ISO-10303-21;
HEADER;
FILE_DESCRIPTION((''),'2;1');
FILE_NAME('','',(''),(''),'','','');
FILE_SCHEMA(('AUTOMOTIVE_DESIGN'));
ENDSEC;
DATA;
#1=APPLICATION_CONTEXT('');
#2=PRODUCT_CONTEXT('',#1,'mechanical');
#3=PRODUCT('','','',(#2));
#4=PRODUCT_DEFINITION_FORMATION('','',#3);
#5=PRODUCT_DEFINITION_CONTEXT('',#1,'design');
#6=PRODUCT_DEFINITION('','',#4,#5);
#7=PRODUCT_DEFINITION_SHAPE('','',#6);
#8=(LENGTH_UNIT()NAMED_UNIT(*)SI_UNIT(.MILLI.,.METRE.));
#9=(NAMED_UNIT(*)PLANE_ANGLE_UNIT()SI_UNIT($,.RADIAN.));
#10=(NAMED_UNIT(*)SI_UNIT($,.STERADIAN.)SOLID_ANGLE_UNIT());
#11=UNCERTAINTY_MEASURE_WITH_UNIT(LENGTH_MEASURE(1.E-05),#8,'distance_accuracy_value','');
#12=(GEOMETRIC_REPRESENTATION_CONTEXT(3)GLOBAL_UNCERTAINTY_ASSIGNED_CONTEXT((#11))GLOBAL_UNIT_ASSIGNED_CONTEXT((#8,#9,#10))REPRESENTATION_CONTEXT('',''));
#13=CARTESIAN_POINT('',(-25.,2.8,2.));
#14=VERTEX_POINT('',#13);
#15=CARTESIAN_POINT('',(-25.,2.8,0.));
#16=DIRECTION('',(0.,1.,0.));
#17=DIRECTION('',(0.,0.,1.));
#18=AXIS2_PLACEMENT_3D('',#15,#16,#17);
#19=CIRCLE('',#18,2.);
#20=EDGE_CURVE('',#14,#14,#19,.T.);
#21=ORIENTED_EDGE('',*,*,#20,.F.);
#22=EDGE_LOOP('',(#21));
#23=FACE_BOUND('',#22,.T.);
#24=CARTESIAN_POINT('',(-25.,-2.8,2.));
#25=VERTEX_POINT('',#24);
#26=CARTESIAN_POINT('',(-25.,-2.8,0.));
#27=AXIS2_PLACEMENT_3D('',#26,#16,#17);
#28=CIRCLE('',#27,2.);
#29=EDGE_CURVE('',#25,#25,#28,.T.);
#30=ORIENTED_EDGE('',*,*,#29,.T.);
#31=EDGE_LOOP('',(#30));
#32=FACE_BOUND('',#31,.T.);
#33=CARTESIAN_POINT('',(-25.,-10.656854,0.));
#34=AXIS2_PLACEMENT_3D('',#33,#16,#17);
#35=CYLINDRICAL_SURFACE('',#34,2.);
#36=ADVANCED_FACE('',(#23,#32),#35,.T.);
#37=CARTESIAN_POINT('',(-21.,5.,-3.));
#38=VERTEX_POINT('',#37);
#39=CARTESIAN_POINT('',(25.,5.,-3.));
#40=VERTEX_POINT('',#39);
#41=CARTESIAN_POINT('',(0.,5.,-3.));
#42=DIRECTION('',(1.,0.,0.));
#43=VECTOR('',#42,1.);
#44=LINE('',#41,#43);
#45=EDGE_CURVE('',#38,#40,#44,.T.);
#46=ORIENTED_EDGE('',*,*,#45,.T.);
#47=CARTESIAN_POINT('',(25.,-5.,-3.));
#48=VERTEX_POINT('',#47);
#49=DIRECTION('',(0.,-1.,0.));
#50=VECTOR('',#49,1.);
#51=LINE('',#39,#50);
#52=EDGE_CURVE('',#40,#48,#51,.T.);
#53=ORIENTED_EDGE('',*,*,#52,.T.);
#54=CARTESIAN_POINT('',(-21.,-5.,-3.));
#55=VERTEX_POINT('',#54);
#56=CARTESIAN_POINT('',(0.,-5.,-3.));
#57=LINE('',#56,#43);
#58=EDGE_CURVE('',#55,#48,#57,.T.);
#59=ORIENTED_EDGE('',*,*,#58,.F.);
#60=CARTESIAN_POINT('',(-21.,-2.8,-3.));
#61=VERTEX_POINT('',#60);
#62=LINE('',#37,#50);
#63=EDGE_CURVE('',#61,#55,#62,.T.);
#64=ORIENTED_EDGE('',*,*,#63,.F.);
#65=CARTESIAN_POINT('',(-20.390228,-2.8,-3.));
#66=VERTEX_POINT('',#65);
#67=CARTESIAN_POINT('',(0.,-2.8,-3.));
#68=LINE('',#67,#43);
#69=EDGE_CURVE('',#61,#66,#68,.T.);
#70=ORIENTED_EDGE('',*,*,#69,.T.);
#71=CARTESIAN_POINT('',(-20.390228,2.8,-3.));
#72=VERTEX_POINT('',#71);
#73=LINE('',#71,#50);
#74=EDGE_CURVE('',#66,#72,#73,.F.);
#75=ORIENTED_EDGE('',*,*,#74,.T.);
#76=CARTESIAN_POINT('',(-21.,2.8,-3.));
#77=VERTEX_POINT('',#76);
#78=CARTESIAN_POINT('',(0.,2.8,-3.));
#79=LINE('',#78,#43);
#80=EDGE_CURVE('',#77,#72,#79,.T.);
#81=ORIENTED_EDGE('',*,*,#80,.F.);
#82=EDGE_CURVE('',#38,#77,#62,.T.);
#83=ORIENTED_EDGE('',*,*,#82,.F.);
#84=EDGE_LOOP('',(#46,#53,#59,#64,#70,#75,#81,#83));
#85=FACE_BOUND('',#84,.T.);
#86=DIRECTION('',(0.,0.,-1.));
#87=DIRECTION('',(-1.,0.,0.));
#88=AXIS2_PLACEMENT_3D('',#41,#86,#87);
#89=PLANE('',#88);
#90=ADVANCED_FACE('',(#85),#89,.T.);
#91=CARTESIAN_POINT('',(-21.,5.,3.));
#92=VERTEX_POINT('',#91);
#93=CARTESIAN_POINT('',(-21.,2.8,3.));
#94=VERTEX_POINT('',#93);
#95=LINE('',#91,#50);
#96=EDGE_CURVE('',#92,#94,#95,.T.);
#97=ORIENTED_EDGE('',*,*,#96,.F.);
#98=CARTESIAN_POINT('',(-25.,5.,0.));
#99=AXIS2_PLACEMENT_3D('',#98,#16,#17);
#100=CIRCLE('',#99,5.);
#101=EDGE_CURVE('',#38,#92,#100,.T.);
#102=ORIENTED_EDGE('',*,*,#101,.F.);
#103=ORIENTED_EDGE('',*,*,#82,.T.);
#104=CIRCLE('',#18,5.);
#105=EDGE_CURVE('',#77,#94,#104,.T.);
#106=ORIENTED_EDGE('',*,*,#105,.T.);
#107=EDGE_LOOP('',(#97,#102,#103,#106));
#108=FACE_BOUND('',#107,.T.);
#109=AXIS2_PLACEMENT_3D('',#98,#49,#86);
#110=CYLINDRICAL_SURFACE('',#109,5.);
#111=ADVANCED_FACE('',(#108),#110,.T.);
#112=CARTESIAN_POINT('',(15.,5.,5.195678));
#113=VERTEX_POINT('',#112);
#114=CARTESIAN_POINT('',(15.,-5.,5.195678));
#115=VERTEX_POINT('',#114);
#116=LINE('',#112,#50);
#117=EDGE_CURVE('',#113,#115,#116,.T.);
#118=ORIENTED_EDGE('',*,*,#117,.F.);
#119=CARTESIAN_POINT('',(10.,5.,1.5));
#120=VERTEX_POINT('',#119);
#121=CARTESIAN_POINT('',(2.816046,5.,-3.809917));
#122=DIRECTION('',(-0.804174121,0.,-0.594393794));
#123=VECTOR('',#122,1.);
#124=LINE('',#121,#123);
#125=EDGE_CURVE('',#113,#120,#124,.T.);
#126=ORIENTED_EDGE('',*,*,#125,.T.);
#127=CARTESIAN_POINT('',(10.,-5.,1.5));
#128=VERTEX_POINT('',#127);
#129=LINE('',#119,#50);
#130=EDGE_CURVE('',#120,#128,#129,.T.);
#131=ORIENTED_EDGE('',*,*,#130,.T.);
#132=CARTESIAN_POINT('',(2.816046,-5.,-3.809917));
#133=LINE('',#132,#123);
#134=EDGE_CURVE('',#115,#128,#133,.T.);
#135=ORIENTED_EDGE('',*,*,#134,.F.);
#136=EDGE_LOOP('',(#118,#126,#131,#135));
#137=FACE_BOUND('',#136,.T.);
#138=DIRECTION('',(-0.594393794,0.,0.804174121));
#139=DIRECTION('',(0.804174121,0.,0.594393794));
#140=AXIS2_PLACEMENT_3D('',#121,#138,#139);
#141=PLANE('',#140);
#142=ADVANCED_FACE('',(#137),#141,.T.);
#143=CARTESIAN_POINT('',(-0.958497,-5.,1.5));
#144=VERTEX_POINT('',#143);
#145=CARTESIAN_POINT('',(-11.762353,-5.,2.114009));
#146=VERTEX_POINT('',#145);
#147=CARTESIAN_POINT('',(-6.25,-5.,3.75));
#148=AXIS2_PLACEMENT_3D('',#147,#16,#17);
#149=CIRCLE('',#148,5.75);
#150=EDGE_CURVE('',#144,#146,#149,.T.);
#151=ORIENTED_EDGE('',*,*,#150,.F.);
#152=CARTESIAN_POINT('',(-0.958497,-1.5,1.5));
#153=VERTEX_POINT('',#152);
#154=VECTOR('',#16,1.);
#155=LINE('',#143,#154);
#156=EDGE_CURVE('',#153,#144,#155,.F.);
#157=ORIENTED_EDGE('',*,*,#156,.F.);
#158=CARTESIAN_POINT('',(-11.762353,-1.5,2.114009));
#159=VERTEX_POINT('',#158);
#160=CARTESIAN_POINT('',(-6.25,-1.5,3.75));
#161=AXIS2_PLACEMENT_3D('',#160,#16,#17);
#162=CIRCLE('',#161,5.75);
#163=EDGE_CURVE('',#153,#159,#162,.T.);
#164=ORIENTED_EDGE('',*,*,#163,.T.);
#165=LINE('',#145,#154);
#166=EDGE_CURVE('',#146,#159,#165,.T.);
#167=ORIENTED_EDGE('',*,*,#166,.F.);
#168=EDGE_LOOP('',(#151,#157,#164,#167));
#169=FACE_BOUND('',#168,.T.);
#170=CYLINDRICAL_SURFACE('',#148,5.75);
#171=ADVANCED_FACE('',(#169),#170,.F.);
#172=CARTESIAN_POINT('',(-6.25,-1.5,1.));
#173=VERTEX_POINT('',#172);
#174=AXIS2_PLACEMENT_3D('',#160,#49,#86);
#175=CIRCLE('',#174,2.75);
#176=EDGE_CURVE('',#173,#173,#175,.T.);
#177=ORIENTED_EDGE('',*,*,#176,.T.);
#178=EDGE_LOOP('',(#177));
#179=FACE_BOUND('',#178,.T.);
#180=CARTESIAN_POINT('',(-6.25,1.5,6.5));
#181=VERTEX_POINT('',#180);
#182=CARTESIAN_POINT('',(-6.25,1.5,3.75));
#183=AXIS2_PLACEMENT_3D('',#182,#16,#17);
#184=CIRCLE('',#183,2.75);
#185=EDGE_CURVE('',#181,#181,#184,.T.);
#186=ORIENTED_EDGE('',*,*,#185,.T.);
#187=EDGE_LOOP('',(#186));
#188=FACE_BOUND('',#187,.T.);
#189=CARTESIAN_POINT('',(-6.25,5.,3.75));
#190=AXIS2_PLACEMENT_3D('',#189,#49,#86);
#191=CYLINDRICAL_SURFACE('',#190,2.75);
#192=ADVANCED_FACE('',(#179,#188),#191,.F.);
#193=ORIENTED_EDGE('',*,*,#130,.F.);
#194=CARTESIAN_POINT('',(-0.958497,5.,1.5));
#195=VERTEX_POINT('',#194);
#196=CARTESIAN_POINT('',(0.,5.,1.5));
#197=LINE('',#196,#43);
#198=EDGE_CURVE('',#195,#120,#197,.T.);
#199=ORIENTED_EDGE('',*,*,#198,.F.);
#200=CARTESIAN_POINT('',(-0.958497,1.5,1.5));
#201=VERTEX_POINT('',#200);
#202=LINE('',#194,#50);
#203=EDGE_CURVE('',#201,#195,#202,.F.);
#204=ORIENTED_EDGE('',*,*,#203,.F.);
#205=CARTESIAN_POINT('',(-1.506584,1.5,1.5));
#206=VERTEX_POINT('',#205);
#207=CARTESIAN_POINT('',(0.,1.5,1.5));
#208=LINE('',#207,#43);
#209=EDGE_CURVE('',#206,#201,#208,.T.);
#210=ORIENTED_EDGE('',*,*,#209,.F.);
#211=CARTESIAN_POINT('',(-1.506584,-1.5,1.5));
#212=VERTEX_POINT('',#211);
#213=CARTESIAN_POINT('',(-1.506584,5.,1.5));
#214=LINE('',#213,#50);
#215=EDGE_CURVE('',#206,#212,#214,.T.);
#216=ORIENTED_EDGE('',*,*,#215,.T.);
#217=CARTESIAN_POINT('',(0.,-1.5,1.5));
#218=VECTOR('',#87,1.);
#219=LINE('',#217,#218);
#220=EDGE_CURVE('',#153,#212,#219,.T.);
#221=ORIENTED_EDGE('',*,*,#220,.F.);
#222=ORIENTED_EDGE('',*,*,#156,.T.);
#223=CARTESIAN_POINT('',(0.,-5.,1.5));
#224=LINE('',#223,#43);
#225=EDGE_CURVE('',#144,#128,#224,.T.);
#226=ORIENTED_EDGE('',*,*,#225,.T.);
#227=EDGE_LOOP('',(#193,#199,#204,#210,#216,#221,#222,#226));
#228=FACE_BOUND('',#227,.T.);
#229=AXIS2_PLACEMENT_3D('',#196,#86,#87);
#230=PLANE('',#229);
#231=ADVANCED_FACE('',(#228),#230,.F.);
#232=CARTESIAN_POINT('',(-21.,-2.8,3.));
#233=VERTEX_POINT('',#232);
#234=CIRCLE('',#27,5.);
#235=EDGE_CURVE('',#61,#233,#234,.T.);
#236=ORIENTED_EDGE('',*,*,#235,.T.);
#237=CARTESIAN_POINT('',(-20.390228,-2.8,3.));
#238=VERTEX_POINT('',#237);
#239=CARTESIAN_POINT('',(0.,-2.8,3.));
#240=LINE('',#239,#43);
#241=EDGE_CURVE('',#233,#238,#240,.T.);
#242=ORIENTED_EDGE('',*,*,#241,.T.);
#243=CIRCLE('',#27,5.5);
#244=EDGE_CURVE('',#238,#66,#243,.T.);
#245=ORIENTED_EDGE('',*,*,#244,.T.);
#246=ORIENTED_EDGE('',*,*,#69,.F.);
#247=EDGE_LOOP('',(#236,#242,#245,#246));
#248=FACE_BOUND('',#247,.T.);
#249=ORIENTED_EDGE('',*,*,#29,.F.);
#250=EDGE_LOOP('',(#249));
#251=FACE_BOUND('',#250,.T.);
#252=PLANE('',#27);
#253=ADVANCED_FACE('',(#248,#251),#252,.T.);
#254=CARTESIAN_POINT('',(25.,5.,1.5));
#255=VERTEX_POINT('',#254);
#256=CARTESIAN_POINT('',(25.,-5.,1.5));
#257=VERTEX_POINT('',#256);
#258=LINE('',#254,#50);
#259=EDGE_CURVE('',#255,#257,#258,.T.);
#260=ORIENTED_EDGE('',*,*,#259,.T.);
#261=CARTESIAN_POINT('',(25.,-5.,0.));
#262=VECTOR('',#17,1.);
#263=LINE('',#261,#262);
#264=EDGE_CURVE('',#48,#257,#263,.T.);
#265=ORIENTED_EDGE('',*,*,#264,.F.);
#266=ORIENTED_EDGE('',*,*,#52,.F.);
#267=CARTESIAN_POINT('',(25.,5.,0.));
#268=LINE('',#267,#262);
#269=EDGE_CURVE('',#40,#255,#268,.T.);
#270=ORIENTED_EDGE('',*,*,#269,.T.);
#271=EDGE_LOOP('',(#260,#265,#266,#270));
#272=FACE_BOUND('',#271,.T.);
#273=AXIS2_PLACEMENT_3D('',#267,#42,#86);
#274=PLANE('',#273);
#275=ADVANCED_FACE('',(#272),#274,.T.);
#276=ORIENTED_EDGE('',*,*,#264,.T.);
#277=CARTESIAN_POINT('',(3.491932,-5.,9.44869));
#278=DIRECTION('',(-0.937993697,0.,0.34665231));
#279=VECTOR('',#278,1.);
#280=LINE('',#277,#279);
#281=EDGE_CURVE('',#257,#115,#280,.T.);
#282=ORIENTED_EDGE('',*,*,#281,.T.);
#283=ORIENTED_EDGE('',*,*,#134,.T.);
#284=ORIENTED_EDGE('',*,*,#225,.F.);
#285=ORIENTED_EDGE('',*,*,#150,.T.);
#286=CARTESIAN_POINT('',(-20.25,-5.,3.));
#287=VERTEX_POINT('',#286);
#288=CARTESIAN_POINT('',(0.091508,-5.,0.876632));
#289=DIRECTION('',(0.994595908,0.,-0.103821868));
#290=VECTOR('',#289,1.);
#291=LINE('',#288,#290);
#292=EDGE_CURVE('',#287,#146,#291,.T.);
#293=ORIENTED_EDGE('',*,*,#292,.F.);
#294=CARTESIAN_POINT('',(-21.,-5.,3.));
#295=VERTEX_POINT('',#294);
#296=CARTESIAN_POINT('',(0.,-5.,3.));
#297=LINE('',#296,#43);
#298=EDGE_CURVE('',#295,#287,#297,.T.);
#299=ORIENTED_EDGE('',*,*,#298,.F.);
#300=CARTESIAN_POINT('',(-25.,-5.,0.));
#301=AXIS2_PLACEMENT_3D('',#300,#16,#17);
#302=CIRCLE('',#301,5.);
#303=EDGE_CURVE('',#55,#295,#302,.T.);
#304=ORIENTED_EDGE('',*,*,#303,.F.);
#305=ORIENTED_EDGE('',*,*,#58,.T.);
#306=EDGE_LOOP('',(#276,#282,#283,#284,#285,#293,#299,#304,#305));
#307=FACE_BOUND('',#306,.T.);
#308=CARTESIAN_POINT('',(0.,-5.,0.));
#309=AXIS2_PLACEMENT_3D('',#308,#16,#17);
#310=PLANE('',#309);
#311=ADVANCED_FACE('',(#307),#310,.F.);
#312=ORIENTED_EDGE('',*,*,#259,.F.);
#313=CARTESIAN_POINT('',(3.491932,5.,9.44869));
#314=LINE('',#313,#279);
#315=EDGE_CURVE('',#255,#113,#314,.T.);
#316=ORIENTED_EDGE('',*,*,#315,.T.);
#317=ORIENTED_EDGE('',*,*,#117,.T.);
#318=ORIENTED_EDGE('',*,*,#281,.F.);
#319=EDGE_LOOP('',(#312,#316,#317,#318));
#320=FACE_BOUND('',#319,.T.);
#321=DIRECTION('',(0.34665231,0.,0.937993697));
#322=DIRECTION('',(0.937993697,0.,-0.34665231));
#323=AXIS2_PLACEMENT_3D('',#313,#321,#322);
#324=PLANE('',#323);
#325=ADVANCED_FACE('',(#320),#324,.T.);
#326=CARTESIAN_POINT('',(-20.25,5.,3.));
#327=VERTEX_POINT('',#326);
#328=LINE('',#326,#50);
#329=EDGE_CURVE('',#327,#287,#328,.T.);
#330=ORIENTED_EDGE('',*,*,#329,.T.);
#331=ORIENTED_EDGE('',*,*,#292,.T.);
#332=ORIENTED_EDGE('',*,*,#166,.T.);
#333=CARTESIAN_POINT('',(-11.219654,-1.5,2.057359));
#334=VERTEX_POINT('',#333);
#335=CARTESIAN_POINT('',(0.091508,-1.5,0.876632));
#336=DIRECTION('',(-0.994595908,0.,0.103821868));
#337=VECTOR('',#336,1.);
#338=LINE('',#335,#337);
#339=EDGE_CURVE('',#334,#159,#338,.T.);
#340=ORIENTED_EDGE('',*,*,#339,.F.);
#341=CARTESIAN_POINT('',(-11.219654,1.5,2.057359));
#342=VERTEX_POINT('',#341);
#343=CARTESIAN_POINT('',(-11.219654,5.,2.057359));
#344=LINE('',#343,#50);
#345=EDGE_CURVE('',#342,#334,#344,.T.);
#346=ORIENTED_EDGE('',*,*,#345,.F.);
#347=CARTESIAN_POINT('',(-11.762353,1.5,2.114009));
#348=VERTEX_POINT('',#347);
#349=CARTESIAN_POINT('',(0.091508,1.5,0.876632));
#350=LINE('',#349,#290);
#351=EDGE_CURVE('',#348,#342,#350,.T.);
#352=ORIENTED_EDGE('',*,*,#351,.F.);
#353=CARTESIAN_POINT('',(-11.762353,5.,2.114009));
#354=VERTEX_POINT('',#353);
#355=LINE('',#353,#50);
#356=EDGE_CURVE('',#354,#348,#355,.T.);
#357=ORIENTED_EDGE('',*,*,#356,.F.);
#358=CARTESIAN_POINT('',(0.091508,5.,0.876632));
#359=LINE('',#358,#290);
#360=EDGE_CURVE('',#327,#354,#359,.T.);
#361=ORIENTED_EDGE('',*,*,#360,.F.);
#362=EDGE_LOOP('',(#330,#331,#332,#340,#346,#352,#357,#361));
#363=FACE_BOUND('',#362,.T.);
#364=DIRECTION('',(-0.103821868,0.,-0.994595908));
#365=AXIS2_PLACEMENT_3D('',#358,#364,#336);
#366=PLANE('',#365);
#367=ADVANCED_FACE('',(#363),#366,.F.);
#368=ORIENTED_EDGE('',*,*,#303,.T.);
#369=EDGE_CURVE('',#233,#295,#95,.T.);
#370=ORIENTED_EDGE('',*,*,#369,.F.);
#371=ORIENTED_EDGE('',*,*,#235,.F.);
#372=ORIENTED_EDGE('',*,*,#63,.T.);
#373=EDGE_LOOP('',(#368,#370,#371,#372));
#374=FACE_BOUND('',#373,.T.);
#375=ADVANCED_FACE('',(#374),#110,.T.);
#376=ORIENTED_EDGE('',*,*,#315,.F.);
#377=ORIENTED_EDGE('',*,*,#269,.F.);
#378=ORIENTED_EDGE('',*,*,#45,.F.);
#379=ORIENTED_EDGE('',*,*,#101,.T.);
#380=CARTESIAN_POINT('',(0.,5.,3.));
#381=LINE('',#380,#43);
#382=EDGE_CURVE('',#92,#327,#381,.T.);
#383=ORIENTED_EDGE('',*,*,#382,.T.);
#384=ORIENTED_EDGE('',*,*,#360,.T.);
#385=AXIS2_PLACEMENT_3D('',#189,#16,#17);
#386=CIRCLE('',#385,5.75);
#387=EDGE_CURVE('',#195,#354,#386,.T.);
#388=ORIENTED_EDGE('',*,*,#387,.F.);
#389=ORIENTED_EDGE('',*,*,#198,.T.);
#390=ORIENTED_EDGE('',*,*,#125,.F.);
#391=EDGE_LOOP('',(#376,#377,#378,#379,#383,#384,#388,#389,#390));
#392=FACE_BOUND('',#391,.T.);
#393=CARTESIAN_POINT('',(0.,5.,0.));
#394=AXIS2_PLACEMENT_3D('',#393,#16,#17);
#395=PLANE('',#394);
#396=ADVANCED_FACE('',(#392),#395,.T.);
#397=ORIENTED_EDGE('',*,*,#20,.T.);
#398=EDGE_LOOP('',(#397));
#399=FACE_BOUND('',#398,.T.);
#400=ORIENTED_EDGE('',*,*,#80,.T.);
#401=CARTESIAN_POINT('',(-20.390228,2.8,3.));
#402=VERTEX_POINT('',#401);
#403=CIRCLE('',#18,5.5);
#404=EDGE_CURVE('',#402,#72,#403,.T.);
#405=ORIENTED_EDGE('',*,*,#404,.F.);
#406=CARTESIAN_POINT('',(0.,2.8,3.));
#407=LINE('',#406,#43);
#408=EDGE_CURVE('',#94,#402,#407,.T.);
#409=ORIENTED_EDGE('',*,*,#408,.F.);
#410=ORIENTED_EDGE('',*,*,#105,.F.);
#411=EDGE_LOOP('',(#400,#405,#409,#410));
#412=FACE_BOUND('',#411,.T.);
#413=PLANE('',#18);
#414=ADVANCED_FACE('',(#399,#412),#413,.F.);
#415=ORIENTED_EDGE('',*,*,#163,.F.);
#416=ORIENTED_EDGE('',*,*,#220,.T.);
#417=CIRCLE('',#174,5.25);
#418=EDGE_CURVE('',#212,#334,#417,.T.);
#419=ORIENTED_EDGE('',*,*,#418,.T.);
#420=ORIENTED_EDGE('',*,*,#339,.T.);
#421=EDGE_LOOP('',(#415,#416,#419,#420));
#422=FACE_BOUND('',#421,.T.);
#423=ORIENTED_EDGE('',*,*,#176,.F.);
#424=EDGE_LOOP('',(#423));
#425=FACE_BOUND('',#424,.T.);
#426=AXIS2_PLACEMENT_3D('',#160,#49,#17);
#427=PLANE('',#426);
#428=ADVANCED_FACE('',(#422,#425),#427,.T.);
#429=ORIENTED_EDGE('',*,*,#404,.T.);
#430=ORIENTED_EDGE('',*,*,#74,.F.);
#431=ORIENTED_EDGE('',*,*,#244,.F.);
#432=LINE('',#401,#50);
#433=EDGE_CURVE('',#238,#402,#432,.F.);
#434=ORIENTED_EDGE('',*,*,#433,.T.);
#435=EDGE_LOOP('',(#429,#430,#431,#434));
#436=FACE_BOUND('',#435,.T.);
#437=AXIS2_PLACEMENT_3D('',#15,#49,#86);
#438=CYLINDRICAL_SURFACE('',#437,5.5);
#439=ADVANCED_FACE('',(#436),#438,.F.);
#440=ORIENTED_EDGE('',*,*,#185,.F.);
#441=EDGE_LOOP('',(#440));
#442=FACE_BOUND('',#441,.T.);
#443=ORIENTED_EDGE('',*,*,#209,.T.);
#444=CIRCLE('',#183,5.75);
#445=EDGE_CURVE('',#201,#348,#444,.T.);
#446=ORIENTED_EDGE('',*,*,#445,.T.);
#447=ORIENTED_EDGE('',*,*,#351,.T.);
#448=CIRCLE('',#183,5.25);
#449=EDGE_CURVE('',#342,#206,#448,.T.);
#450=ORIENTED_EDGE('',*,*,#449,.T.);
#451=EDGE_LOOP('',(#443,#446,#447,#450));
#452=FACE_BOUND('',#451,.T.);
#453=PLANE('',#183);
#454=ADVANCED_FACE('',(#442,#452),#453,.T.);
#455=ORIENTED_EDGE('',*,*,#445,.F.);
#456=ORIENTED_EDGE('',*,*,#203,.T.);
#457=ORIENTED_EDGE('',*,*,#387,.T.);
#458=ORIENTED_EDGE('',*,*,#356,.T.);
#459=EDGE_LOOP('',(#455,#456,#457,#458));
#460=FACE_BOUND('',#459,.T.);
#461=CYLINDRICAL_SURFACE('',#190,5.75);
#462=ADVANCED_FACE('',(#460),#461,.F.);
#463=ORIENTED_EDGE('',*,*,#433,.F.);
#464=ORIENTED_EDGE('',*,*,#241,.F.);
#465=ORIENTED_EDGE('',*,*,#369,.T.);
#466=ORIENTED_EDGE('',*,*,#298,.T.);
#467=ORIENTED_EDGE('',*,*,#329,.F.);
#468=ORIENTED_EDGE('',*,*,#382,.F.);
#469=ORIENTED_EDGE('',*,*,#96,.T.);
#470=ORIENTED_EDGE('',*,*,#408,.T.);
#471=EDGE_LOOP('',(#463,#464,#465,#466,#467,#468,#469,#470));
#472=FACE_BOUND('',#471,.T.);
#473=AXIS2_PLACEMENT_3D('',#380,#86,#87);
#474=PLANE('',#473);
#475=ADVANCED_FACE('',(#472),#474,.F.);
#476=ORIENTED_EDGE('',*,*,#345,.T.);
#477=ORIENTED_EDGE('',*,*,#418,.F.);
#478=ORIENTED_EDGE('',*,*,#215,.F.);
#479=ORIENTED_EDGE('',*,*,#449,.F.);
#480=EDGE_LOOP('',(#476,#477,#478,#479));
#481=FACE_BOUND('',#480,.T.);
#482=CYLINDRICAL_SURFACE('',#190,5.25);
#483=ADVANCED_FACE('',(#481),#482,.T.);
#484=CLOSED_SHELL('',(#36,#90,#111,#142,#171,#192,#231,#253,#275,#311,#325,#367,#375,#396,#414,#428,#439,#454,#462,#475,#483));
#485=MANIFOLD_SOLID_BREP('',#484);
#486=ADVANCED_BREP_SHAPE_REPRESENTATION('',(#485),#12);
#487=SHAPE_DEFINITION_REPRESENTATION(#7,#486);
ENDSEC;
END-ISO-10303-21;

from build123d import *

# Parameters (mm, degrees)
SKETCH2_R               = 2.75
SKETCH2_R_2             = 2
BOSS_EXTRUDE1_DEPTH     = 5
CUT_EXTRUDE1_START      = 1.5
SKETCH4_R               = 5.75
CUT_EXTRUDE1_DEPTH      = 4.5
CUT_EXTRUDE2_START      = -5
SKETCH5_R               = 5.5
CUT_EXTRUDE2_DEPTH      = 2.8
CUT_EXTRUDE2_DEPTH_BACK = 2.8
SKETCH6_R               = 2
BOSS_EXTRUDE2_DEPTH     = 10


with BuildPart() as part:
    # Sketch2 → Boss-Extrude1 (new body, symmetric)
    with BuildSketch(Plane(origin=(0, 0, 0), x_dir=(1, 0, 0), z_dir=(0, 1, 0))):
        with BuildLine():
            ThreePointArc((-11.219654399, -2.057358528), (-5.949237585, -8.991377869), (-1.50658351, -1.5))
            Line((-1.50658351, -1.5), (10, -1.5))
            Line((10, -1.5), (15, -5.195678453))
            Line((15, -5.195678453), (25, -1.5))
            Line((25, -1.5), (25, 3))
            Line((25, 3), (-21, 3))
            ThreePointArc((-21, 3), (-30, 0), (-21, -3))
            Line((-21, -3), (-20.25, -3))
            Line((-20.25, -3), (-11.219654399, -2.057358528))
        make_face()
        with Locations((-6.25, -3.75)):
            Circle(SKETCH2_R, mode=Mode.SUBTRACT)
        with Locations((-25, 0)):
            Circle(SKETCH2_R_2, mode=Mode.SUBTRACT)
    extrude(amount=BOSS_EXTRUDE1_DEPTH, both=True)

    # Sketch4 → Cut-Extrude1 (cut, through all)
    with BuildSketch(Plane(origin=(0, 0, 0), x_dir=(1, 0, 0), z_dir=(0, 1, 0)).offset(CUT_EXTRUDE1_START)):
        with Locations((-6.25, -3.75)):
            Circle(SKETCH4_R)
    cut_extrude1 = extrude(amount=CUT_EXTRUDE1_DEPTH, mode=Mode.SUBTRACT)

    # Sketch5 → Cut-Extrude2 (cut, two sides)
    with BuildSketch(Plane(origin=(0, 5, 0), x_dir=(1, 0, 0), z_dir=(0, 1, 0)).offset(CUT_EXTRUDE2_START)) as cut_extrude2_sk:
        with Locations((-25, 0)):
            Circle(SKETCH5_R)
    extrude(amount=CUT_EXTRUDE2_DEPTH, mode=Mode.SUBTRACT)
    extrude(cut_extrude2_sk.sketch, amount=-CUT_EXTRUDE2_DEPTH_BACK, mode=Mode.SUBTRACT)

    # Mirror1: Cut-Extrude1 across plane
    add(cut_extrude1.mirror(Plane.ZX), mode=Mode.SUBTRACT)

    # Sketch6 → Boss-Extrude2 (add)
    with BuildSketch(Plane(origin=(0, 5, 0), x_dir=(1, 0, 0), z_dir=(0, 1, 0))):
        with Locations((-25, 0)):
            Circle(SKETCH6_R)
    extrude(amount=-BOSS_EXTRUDE2_DEPTH)


solid = part.part
